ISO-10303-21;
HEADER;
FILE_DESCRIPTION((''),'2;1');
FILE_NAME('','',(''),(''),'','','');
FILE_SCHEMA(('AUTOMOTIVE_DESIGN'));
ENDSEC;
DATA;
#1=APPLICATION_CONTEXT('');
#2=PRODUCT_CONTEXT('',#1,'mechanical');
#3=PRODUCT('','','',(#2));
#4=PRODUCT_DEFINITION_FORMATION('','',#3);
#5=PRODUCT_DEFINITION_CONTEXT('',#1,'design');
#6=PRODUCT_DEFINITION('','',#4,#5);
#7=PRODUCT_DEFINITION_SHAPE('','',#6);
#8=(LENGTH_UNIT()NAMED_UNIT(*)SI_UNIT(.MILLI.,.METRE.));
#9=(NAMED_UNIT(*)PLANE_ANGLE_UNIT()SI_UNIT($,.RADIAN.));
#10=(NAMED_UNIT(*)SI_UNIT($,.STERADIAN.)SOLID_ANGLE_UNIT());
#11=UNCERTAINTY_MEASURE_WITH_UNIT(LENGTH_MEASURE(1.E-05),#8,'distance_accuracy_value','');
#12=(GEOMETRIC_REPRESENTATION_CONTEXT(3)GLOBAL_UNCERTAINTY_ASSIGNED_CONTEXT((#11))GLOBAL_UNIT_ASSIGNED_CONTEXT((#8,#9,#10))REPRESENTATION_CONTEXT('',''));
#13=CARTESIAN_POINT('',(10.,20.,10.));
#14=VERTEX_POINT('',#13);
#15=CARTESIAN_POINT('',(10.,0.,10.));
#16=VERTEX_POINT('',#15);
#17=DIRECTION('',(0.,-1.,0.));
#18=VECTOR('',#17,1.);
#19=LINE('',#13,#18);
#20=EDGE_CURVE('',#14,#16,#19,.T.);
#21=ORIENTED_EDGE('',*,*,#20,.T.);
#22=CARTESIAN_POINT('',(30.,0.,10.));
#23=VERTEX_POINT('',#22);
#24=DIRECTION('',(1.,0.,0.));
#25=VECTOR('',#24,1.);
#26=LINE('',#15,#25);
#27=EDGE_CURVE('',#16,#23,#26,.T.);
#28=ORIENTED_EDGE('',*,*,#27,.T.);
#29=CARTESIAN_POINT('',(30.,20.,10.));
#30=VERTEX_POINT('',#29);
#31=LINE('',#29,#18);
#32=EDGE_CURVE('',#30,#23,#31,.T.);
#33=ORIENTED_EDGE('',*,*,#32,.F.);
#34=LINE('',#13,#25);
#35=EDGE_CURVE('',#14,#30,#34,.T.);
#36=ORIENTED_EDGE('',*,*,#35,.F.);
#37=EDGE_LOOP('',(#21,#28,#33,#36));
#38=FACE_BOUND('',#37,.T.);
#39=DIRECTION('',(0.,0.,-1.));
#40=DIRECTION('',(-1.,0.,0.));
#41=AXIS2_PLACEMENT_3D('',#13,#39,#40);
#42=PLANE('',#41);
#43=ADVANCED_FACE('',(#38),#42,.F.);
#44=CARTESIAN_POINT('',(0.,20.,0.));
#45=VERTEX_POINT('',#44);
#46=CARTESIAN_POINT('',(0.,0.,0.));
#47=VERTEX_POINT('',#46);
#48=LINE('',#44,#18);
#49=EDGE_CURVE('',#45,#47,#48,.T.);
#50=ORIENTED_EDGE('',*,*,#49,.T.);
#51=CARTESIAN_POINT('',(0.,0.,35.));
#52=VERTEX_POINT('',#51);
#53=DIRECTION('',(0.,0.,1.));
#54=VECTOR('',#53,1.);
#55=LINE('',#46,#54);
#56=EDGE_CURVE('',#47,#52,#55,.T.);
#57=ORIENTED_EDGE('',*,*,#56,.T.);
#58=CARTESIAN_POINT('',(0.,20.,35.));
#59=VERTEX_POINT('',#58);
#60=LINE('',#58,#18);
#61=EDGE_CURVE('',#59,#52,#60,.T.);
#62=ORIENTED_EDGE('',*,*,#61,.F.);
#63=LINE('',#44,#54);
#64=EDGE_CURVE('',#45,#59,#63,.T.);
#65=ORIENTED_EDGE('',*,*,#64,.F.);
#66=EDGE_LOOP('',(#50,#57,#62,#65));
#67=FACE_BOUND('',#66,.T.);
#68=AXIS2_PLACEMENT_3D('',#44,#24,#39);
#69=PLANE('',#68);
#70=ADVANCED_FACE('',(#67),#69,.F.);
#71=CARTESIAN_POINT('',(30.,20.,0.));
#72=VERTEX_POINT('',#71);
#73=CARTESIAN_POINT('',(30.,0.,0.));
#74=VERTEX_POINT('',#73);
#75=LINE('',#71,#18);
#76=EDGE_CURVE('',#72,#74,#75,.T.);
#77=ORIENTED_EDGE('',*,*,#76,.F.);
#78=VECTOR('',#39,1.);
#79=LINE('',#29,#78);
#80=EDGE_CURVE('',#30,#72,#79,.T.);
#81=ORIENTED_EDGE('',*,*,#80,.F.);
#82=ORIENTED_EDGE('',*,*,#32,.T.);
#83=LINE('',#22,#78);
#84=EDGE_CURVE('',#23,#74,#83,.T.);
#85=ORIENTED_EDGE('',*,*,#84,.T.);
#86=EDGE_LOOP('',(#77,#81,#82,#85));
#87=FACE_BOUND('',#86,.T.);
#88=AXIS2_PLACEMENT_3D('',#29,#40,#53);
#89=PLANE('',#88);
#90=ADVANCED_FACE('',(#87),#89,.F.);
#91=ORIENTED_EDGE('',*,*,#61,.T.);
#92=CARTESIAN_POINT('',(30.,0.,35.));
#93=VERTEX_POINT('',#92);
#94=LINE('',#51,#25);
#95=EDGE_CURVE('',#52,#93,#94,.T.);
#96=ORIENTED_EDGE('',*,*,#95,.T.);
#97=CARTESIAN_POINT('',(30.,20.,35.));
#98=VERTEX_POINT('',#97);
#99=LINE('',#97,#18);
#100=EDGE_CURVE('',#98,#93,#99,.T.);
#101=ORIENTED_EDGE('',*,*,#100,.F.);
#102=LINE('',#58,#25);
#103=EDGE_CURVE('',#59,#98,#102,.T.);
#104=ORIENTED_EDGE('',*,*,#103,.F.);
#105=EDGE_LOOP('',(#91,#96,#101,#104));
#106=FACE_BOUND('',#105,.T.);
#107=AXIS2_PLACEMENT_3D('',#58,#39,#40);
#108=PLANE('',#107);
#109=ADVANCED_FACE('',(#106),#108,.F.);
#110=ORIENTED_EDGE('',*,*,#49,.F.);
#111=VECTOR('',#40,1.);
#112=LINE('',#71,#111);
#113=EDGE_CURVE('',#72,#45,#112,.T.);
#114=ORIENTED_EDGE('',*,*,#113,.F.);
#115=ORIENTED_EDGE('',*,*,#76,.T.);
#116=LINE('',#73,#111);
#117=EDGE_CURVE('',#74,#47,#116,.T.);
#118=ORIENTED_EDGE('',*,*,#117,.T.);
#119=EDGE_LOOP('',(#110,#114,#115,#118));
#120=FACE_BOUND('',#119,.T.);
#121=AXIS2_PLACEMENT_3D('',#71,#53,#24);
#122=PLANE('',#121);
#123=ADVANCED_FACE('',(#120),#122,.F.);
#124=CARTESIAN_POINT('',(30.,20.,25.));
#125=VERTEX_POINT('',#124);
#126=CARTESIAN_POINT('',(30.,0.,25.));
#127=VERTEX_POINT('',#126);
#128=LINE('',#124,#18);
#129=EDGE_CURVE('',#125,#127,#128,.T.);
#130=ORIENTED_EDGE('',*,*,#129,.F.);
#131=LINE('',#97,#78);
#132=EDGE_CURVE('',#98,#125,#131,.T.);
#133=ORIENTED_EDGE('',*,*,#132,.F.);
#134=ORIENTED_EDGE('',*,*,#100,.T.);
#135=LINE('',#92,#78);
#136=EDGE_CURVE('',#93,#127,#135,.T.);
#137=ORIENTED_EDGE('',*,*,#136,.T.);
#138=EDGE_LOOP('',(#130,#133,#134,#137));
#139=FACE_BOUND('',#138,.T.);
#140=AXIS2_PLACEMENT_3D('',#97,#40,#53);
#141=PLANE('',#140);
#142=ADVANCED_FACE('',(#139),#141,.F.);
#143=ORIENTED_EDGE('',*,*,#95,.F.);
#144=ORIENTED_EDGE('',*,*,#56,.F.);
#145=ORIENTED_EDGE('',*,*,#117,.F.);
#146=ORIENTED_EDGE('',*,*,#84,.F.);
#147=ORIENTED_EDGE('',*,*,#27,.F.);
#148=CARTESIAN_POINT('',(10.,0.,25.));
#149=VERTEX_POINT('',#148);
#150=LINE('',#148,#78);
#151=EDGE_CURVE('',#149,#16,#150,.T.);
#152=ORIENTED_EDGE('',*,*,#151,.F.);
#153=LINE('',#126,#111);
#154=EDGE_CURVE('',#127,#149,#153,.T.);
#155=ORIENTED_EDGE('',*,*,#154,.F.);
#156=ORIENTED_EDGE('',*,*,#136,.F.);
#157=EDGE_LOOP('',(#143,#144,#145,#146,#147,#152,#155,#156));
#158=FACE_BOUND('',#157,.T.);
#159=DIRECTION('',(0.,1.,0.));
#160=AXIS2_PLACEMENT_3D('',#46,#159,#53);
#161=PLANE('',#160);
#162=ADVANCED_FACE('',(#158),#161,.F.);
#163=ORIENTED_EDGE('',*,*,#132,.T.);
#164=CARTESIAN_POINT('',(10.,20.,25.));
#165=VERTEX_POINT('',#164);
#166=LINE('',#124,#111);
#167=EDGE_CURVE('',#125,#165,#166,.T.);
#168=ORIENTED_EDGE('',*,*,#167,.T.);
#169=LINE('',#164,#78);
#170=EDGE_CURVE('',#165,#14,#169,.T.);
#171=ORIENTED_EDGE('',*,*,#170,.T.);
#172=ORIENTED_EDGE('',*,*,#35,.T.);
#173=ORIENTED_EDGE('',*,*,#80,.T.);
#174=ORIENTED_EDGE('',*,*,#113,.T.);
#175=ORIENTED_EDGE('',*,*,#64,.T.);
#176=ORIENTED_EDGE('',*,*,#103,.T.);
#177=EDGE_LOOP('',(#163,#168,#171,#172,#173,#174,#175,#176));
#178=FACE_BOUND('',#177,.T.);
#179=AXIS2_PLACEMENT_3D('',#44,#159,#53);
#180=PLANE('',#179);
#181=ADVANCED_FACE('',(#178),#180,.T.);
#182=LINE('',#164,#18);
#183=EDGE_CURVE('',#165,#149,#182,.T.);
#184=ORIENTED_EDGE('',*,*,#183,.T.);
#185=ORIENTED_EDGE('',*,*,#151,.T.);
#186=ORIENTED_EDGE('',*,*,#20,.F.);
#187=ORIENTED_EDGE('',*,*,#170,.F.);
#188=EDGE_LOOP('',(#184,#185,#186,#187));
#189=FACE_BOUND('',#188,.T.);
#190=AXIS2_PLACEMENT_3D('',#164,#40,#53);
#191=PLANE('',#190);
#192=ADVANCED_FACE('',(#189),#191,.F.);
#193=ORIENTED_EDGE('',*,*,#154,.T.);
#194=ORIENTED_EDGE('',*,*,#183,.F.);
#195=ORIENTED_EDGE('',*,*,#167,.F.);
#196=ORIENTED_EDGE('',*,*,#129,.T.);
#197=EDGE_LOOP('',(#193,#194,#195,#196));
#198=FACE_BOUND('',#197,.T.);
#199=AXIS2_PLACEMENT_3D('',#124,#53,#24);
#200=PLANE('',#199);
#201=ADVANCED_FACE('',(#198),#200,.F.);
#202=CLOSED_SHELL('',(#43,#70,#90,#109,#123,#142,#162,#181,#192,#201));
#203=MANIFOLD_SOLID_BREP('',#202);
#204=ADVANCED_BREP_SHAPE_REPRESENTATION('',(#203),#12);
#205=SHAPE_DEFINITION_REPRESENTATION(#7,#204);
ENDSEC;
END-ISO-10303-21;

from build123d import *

# Parameters (mm, degrees)
BOSS_EXTRUDE1_DEPTH = 20


with BuildPart() as part:
    # Sketch1 → Boss-Extrude1 (new body)
    with BuildSketch(Plane(origin=(0, 0, 0), x_dir=(1, 0, 0), z_dir=(0, 1, 0))):
        Polygon((0, 0), (0, -35), (30, -35), (30, -25), (10, -25), (10, -10), (30, -10), (30, 0), align=None)
    extrude(amount=BOSS_EXTRUDE1_DEPTH)


solid = part.part
